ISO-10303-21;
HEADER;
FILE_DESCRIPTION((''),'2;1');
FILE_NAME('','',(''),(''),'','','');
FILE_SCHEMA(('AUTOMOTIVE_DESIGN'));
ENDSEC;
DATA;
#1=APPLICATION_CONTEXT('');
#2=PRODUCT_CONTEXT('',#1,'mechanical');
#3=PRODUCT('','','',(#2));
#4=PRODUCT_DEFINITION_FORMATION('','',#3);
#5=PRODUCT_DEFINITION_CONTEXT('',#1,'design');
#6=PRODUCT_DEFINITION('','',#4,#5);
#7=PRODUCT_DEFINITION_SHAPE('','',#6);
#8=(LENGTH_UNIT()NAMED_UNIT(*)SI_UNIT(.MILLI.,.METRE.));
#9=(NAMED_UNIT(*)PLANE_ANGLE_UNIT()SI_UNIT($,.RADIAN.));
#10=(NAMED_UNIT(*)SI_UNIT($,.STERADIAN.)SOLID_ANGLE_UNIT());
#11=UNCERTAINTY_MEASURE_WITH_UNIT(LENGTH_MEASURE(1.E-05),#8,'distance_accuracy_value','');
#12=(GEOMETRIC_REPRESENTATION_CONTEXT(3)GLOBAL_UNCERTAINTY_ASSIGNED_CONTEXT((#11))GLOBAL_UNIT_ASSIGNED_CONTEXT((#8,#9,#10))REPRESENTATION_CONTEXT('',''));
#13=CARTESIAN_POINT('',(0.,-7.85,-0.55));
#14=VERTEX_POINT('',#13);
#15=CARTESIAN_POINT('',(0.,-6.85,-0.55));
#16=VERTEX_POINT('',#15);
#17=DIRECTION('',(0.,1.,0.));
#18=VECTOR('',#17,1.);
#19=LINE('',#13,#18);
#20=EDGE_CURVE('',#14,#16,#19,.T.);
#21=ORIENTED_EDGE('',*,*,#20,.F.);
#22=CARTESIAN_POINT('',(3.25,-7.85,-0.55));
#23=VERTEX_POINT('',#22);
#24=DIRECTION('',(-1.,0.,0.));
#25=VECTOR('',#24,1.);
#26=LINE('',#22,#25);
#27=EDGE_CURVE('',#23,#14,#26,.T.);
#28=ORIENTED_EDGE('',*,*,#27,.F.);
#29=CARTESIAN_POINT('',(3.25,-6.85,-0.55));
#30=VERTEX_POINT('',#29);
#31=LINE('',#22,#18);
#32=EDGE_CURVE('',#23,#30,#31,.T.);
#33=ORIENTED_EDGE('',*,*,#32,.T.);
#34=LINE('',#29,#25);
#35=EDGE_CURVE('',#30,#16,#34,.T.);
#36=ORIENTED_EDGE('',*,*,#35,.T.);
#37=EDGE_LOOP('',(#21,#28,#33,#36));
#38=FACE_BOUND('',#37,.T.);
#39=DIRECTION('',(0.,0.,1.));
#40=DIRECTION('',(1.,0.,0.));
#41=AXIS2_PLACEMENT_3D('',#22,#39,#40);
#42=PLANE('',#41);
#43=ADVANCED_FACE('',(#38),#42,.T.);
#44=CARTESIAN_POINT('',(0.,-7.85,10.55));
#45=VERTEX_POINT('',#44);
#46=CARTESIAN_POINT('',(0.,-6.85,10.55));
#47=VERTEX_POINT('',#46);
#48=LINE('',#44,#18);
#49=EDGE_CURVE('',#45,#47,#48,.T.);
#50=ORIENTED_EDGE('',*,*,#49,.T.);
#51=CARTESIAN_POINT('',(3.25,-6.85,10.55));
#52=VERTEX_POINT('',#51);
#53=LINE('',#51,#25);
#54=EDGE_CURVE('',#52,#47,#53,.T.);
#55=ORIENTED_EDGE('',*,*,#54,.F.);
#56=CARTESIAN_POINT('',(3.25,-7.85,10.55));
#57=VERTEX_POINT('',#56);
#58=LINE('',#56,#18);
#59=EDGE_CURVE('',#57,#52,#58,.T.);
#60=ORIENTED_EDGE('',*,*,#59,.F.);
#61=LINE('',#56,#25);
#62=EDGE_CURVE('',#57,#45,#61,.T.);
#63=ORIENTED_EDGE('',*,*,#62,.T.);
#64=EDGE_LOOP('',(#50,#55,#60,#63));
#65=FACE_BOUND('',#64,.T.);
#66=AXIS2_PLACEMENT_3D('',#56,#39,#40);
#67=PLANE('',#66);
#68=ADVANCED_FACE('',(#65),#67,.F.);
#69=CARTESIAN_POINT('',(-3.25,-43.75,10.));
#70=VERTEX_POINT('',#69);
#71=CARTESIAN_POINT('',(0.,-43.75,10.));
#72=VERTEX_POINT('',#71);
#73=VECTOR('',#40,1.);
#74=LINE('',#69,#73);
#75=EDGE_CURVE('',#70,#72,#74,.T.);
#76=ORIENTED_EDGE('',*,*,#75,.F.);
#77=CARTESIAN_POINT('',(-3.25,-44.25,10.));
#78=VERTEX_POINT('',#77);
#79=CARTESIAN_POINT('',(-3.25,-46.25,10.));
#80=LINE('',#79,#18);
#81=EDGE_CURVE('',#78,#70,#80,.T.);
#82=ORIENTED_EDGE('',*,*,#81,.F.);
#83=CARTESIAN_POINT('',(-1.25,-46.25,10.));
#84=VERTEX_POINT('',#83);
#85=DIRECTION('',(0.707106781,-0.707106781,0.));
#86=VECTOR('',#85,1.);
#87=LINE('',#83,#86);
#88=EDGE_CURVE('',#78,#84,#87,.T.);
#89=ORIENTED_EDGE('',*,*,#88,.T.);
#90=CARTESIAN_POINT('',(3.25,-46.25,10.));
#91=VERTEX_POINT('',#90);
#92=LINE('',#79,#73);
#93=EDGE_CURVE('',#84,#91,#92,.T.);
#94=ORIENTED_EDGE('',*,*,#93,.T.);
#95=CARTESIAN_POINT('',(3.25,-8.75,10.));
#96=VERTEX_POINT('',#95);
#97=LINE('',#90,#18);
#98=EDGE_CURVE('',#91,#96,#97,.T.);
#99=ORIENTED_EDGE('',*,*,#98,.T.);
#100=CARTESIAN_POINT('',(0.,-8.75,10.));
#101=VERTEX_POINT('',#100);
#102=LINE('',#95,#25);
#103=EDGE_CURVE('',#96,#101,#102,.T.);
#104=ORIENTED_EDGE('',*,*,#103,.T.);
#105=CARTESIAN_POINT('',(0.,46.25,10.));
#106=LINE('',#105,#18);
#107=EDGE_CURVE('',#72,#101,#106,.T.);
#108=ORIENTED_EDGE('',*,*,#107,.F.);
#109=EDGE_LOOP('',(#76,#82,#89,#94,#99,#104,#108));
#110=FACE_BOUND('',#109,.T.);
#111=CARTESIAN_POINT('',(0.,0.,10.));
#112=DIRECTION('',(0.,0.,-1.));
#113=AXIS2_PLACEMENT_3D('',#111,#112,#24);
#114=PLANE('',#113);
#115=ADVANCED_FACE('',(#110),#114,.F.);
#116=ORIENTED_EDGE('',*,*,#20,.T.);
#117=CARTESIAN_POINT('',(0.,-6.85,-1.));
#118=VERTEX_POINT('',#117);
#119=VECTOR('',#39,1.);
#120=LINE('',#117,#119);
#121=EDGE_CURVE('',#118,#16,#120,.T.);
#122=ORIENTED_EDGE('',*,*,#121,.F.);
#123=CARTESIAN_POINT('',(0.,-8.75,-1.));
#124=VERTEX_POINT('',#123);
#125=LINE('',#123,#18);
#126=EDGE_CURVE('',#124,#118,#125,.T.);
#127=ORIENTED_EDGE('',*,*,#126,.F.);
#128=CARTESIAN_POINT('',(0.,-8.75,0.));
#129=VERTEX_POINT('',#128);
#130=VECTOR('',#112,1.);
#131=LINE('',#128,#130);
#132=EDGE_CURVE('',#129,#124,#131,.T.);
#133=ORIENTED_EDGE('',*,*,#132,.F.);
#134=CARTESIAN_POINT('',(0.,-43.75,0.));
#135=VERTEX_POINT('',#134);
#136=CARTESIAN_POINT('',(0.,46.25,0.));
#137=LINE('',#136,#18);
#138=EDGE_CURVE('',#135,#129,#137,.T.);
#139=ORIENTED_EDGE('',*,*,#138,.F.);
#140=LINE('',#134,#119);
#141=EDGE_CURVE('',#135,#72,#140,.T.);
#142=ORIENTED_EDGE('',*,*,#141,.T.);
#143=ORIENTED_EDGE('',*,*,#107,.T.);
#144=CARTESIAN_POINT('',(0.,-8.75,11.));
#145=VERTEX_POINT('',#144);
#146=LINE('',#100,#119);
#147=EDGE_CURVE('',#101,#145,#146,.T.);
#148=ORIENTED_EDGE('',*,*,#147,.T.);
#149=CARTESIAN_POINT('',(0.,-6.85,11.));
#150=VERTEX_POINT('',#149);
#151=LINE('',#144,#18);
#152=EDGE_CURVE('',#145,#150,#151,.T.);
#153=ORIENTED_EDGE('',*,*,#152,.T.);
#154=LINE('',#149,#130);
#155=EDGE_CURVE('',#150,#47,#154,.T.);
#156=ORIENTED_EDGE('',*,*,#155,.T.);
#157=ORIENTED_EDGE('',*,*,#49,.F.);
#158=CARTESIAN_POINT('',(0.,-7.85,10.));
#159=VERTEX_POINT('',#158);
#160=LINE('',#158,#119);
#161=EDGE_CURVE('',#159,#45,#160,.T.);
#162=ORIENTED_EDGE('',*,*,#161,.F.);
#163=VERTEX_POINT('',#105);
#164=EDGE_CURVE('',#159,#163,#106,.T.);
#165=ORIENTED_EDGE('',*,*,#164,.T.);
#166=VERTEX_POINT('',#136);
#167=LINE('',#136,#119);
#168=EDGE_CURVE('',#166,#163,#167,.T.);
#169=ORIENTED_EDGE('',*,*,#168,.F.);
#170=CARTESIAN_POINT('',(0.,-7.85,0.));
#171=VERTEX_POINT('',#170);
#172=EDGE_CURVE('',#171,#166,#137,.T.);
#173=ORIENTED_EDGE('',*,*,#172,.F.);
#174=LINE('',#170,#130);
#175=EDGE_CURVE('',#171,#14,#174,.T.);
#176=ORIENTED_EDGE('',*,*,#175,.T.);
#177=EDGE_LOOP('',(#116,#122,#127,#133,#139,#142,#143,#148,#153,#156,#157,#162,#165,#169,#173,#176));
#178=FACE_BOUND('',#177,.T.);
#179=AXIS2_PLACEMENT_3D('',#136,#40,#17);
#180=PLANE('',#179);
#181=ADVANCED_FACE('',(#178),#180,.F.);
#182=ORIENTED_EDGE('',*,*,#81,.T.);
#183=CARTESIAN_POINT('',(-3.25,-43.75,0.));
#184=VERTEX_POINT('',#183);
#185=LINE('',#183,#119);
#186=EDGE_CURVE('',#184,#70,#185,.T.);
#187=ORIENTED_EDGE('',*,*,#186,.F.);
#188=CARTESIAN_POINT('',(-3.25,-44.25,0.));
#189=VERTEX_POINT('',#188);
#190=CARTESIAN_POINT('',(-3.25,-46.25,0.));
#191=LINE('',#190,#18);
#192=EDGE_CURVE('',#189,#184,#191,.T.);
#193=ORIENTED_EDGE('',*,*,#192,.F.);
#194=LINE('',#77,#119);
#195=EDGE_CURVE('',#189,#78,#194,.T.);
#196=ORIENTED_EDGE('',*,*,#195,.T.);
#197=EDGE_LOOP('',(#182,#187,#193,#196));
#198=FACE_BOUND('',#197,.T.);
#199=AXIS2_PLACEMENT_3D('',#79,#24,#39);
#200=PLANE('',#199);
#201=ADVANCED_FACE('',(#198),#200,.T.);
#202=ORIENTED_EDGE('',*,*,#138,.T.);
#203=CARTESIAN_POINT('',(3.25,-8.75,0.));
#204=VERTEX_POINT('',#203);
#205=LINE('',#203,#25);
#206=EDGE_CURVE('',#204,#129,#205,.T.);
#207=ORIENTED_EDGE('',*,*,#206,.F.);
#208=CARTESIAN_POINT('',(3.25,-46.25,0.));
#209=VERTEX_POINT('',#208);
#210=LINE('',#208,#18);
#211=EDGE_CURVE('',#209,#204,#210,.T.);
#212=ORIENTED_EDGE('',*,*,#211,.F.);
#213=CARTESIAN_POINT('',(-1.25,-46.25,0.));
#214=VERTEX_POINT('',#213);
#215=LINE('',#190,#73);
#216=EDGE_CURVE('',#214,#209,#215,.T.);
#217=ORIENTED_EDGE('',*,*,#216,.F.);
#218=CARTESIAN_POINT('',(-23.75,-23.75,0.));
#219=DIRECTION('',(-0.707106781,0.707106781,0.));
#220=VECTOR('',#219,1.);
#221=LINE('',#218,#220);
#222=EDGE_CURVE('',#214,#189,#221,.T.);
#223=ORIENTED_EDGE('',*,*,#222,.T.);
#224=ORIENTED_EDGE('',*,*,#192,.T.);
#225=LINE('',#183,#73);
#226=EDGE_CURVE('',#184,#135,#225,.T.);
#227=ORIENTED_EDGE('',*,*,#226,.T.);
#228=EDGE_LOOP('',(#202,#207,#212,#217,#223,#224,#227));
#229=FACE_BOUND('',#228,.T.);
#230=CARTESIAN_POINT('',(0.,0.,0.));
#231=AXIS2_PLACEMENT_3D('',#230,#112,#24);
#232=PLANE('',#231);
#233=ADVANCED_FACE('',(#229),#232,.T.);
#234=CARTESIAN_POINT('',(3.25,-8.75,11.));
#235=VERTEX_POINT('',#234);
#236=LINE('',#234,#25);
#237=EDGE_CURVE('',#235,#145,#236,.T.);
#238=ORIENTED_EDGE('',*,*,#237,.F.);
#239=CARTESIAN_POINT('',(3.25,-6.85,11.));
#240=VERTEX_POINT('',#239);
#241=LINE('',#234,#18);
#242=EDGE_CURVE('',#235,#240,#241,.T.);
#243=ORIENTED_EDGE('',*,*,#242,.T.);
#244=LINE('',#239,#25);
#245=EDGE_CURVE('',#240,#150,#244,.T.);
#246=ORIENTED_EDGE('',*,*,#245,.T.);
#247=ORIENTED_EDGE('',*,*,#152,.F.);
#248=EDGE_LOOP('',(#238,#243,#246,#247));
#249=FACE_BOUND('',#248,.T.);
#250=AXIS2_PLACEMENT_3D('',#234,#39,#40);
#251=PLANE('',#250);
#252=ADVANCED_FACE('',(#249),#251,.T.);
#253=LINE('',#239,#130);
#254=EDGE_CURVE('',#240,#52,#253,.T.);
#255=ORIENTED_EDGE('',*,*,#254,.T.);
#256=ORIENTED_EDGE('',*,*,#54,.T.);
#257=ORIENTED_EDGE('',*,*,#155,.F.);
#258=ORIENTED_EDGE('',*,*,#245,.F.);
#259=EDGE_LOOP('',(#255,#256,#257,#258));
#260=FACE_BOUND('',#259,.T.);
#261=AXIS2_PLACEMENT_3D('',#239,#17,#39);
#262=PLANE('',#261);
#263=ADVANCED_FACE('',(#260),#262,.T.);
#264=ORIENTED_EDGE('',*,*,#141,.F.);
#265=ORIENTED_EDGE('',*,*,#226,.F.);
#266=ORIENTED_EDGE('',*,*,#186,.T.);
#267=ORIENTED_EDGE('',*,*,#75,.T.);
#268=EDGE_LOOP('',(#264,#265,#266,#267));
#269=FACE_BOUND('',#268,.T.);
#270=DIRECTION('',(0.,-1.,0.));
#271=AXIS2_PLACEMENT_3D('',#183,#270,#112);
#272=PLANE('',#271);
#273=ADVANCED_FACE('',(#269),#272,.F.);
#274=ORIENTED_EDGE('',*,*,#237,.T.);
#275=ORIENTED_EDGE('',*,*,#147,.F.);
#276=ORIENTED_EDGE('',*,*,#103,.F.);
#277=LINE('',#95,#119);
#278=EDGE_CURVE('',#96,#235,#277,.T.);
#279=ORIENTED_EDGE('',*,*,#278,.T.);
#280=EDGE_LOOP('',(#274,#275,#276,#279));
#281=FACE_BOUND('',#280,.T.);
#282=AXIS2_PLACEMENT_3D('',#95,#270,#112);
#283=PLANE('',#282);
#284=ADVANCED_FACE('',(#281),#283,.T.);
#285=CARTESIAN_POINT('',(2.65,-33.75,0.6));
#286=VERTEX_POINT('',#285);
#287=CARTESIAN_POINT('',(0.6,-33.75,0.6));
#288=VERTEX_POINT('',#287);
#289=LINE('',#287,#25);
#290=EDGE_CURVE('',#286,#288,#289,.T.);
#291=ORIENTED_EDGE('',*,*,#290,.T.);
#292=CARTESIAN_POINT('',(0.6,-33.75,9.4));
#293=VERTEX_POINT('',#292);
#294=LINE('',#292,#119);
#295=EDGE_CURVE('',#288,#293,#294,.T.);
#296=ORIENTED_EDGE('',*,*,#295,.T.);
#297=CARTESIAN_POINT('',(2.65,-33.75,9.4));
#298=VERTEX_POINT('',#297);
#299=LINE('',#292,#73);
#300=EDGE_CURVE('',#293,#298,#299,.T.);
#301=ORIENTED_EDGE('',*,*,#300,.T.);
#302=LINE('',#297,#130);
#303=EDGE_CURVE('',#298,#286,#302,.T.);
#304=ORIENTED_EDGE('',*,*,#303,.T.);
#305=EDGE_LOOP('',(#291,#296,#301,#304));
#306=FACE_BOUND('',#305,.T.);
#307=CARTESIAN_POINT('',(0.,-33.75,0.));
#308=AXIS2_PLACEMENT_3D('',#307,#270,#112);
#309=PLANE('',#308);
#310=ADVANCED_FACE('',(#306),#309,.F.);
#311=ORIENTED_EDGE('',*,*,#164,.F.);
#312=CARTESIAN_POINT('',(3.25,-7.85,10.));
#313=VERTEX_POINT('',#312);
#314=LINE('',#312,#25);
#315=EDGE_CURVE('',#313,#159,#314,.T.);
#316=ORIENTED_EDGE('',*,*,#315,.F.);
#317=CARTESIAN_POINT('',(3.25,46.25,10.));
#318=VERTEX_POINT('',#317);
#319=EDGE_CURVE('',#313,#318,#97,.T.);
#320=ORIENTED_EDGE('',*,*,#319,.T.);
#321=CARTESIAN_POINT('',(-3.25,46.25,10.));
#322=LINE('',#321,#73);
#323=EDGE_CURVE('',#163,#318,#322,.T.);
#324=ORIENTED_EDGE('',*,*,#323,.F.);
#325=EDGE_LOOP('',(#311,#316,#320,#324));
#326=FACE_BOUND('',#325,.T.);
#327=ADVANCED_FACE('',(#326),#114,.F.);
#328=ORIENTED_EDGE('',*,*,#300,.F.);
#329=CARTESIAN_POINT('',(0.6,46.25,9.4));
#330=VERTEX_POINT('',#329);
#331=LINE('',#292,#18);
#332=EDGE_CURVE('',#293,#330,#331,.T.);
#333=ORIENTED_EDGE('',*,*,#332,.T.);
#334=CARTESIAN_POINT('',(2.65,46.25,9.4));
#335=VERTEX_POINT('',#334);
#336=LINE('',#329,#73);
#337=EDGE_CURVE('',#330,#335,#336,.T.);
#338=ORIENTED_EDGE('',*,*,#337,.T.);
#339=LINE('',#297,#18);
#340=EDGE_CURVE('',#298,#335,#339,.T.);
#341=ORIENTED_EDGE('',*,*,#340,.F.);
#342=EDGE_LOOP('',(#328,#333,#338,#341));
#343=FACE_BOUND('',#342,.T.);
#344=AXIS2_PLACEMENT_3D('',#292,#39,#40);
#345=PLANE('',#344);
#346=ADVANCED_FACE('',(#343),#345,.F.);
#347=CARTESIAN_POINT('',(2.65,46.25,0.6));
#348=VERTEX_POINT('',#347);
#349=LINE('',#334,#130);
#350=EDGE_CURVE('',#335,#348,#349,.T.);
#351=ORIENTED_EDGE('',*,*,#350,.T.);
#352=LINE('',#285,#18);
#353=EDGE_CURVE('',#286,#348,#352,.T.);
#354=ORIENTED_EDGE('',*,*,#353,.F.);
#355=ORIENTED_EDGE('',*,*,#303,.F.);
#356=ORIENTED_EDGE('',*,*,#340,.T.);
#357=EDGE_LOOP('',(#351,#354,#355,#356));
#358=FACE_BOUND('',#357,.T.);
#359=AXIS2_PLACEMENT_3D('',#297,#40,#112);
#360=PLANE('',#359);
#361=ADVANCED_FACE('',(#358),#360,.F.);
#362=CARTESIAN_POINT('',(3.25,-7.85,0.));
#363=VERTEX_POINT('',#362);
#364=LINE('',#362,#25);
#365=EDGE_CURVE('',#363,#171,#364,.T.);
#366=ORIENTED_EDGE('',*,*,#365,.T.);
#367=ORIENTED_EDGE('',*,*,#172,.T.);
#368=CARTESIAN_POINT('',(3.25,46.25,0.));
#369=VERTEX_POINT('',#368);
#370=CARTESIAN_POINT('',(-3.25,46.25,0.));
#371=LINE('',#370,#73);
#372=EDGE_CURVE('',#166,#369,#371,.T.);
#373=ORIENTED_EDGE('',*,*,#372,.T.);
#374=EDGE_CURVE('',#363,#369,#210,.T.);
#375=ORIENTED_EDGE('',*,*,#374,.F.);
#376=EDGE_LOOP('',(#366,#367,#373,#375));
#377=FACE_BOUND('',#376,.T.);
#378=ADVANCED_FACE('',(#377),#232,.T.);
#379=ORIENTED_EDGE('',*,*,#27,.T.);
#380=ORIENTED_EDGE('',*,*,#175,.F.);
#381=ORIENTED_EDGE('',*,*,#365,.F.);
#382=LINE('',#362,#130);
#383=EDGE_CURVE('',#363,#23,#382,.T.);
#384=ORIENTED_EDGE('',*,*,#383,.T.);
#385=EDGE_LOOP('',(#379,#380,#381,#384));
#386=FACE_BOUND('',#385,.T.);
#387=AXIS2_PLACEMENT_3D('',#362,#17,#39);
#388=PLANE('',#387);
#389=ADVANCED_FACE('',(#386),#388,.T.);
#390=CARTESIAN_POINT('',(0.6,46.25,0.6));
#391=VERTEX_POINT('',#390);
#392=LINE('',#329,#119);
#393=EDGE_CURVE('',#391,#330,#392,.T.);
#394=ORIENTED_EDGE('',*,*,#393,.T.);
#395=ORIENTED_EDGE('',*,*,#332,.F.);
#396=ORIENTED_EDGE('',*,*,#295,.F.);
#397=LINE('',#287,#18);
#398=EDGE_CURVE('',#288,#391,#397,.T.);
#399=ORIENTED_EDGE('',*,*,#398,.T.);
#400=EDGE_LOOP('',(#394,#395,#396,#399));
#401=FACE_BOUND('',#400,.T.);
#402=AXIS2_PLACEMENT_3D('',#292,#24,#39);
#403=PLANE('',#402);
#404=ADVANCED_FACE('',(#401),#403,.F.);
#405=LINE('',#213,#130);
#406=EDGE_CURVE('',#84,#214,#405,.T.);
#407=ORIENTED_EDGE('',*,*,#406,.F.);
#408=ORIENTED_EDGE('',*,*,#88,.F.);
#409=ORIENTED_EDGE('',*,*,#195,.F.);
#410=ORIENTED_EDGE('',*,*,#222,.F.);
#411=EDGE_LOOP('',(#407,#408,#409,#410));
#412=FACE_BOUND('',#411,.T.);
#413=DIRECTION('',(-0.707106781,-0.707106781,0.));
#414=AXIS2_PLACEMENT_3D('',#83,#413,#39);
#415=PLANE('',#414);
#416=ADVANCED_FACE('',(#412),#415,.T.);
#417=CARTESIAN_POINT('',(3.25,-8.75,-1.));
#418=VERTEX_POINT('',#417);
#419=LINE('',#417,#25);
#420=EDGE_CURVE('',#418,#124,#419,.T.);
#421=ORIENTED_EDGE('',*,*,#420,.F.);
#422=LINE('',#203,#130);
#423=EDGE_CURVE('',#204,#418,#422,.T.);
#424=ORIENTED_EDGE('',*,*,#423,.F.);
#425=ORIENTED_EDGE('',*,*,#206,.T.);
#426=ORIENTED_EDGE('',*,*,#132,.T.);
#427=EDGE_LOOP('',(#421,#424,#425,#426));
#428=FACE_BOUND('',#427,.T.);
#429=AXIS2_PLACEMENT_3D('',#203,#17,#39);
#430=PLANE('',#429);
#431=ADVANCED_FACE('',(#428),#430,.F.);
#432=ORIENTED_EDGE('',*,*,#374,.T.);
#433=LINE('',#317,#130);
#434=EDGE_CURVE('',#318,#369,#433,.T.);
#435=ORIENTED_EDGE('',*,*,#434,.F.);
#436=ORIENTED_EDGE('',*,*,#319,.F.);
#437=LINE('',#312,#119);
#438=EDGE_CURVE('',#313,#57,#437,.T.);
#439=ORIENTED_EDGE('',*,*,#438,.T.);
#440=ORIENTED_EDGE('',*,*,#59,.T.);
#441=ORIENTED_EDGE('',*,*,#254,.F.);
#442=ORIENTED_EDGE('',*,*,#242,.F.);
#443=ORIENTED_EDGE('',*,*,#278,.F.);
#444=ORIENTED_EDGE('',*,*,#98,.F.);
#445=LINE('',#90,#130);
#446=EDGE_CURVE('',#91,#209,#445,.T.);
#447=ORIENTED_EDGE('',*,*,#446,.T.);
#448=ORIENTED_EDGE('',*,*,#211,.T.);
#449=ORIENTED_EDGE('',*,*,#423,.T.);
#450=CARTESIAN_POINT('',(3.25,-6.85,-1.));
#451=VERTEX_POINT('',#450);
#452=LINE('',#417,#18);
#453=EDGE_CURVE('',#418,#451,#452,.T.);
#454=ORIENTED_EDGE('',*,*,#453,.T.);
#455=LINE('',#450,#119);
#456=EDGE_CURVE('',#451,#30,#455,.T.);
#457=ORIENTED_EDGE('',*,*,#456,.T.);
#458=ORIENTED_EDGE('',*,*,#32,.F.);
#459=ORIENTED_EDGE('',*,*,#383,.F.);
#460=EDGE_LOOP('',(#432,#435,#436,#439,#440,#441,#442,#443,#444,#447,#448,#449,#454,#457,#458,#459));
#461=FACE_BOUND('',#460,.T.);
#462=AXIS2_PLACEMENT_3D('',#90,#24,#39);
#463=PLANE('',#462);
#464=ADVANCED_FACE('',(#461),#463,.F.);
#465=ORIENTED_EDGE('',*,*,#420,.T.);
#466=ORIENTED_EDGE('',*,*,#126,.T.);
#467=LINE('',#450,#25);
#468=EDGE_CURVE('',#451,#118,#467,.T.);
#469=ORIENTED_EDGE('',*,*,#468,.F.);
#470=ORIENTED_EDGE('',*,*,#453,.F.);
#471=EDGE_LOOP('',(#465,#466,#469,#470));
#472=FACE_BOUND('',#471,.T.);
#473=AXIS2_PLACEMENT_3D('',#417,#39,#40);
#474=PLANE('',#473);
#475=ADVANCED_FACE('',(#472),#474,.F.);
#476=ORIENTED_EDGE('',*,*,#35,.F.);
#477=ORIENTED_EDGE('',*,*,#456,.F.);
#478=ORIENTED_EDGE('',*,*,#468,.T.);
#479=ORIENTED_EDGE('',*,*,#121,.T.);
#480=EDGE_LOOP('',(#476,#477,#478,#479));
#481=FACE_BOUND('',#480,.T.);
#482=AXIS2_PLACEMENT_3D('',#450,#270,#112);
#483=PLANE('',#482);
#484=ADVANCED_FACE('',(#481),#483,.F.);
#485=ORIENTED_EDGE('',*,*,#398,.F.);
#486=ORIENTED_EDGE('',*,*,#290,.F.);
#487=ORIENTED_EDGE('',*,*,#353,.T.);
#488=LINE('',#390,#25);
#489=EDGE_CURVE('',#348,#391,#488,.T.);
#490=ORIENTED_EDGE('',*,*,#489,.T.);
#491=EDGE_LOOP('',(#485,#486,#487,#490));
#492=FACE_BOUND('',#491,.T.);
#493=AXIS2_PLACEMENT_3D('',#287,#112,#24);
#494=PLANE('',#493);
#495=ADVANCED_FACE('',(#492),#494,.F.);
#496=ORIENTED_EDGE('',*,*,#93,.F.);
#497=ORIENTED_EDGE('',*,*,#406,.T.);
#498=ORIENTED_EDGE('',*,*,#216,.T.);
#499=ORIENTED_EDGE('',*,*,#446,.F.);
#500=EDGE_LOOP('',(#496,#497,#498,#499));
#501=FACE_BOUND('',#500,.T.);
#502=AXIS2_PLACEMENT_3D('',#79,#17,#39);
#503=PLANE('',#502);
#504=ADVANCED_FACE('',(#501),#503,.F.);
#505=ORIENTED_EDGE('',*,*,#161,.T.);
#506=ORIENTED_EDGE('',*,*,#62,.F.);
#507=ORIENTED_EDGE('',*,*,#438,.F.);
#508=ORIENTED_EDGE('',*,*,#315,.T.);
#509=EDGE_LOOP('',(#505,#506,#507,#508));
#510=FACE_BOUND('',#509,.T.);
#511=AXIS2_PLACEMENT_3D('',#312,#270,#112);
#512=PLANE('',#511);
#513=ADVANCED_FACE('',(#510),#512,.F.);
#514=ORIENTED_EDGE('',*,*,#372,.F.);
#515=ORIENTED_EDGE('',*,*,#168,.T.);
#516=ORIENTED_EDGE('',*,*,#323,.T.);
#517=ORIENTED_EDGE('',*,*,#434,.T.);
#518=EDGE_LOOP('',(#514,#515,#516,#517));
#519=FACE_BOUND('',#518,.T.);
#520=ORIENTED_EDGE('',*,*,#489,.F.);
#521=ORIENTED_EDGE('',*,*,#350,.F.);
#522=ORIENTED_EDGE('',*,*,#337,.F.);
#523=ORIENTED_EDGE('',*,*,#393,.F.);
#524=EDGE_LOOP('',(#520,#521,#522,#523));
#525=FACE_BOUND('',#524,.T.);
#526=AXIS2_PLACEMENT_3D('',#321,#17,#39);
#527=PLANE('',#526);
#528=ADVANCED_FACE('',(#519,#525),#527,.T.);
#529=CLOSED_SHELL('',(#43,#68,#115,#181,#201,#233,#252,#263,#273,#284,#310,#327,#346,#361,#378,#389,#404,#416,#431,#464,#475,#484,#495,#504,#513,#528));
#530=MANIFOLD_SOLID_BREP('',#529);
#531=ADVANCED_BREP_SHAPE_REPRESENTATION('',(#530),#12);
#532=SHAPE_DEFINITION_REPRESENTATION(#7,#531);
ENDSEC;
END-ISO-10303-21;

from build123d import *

# Parameters (mm, degrees)
SKETCH1_W           = 6.5
SKETCH1_H           = 92.5
BOSS_EXTRUDE1_DEPTH = 10
SKETCH2_W           = 3.25
SKETCH2_H           = 90
CUT_EXTRUDE1_DEPTH  = 10
CHAMFER1_SIZE       = 2
BOSS_EXTRUDE2_DEPTH = 3.25
SKETCH6_W           = 2.05
SKETCH6_H           = 8.8
CUT_EXTRUDE2_DEPTH  = 80


with BuildPart() as part:
    # Sketch1 → Boss-Extrude1 (new body)
    with BuildSketch(Plane.XY):
        Rectangle(SKETCH1_W, SKETCH1_H)
    extrude(amount=BOSS_EXTRUDE1_DEPTH)

    # Sketch2 → Cut-Extrude1 (cut)
    with BuildSketch(Plane.XY.offset(10)):
        with Locations((-1.625, 1.25)):
            Rectangle(SKETCH2_W, SKETCH2_H)
    extrude(amount=-CUT_EXTRUDE1_DEPTH, mode=Mode.SUBTRACT)

    # Chamfer1
    chamfer1_edges = [part.edges().sort_by_distance(p)[0] for p in [
        (-3.25, -46.25, 5),
    ]]
    chamfer(chamfer1_edges, length=CHAMFER1_SIZE)

    # Sketch4 → Boss-Extrude2 (add)
    with BuildSketch(Plane.ZY):
        Polygon((10, -8.75), (11, -8.75), (11, -6.85), (10.55, -6.85), (10.55, -7.85), (10, -7.85), align=None)
    boss_extrude2 = extrude(amount=-BOSS_EXTRUDE2_DEPTH)

    # Mirror1: Boss-Extrude2 across plane
    add(boss_extrude2.mirror(Plane.XY.offset(5)))

    # Sketch6 → Cut-Extrude2 (cut)
    with BuildSketch(Plane(origin=(0, 46.25, 0), x_dir=(1, 0, 0), z_dir=(0, 1, 0))):
        with Locations((1.625, -5)):
            Rectangle(SKETCH6_W, SKETCH6_H)
    extrude(amount=-CUT_EXTRUDE2_DEPTH, mode=Mode.SUBTRACT)


solid = part.part
